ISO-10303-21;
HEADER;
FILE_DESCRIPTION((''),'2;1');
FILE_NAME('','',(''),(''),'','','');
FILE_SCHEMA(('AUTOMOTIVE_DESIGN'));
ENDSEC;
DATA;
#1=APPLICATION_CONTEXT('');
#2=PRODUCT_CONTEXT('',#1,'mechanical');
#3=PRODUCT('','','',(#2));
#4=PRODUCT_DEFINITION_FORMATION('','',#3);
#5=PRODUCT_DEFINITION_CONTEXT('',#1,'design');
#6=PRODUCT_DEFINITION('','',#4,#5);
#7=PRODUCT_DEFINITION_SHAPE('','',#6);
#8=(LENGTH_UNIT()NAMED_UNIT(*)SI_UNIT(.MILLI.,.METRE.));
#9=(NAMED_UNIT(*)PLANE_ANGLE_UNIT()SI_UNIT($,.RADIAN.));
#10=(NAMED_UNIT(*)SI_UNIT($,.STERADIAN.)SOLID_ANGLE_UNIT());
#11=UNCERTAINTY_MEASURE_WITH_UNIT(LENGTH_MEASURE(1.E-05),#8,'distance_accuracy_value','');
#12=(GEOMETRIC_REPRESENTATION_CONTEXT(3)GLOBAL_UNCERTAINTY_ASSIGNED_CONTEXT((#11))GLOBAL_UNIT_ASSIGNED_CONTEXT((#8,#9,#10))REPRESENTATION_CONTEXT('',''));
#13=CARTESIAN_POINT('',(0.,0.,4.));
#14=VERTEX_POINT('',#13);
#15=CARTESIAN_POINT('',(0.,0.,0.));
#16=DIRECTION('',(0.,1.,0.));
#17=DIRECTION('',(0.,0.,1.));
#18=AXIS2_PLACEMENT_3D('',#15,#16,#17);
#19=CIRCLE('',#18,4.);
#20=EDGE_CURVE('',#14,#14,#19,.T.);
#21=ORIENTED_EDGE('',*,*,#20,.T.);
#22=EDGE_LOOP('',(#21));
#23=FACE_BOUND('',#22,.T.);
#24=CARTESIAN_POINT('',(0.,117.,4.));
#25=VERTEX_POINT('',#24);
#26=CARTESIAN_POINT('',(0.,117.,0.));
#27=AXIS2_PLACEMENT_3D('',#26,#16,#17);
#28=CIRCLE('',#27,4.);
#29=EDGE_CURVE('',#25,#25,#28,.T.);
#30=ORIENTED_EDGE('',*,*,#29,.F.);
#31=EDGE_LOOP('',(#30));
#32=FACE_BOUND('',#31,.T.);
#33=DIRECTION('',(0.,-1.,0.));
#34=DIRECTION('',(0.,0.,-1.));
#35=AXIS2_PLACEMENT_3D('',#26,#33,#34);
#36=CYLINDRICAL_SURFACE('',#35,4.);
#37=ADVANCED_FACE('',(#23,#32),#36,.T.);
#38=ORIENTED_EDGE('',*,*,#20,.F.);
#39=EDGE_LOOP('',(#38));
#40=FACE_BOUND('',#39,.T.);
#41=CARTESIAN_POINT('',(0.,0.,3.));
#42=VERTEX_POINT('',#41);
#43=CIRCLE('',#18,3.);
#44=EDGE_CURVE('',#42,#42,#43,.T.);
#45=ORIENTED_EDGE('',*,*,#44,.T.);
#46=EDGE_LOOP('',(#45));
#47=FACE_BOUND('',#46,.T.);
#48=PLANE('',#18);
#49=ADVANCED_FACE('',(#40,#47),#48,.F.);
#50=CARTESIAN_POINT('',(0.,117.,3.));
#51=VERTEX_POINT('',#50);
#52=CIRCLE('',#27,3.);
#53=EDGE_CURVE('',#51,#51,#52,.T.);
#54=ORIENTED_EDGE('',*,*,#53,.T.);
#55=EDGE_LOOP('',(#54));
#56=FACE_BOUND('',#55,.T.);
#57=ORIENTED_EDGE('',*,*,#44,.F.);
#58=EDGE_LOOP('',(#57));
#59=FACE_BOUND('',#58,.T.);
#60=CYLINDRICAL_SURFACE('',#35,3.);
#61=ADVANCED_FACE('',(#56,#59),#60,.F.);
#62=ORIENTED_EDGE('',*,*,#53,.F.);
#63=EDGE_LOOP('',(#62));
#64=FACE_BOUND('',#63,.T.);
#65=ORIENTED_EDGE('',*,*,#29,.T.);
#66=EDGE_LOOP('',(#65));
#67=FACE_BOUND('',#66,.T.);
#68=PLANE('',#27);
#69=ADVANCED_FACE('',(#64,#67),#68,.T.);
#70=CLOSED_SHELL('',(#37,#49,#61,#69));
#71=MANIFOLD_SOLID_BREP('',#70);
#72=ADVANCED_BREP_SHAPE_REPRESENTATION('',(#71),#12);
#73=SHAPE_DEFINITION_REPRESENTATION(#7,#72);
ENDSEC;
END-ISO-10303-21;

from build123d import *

# Parameters (mm, degrees)
SKETCH_1_R      = 4
SKETCH_1_R_2    = 3
EXTRUDE_1_DEPTH = 117


with BuildPart() as part:
    # 草图1 → 凸台-拉伸1 (new body)
    with BuildSketch(Plane(origin=(0, 0, 0), x_dir=(1, 0, 0), z_dir=(0, 1, 0))):
        with Locations(Location((0, 0, 0), (0, 0, 270))):
            Circle(SKETCH_1_R)
        with Locations(Location((0, 0, 0), (0, 0, 270))):
            Circle(SKETCH_1_R_2, mode=Mode.SUBTRACT)
    extrude(amount=EXTRUDE_1_DEPTH)


solid = part.part
